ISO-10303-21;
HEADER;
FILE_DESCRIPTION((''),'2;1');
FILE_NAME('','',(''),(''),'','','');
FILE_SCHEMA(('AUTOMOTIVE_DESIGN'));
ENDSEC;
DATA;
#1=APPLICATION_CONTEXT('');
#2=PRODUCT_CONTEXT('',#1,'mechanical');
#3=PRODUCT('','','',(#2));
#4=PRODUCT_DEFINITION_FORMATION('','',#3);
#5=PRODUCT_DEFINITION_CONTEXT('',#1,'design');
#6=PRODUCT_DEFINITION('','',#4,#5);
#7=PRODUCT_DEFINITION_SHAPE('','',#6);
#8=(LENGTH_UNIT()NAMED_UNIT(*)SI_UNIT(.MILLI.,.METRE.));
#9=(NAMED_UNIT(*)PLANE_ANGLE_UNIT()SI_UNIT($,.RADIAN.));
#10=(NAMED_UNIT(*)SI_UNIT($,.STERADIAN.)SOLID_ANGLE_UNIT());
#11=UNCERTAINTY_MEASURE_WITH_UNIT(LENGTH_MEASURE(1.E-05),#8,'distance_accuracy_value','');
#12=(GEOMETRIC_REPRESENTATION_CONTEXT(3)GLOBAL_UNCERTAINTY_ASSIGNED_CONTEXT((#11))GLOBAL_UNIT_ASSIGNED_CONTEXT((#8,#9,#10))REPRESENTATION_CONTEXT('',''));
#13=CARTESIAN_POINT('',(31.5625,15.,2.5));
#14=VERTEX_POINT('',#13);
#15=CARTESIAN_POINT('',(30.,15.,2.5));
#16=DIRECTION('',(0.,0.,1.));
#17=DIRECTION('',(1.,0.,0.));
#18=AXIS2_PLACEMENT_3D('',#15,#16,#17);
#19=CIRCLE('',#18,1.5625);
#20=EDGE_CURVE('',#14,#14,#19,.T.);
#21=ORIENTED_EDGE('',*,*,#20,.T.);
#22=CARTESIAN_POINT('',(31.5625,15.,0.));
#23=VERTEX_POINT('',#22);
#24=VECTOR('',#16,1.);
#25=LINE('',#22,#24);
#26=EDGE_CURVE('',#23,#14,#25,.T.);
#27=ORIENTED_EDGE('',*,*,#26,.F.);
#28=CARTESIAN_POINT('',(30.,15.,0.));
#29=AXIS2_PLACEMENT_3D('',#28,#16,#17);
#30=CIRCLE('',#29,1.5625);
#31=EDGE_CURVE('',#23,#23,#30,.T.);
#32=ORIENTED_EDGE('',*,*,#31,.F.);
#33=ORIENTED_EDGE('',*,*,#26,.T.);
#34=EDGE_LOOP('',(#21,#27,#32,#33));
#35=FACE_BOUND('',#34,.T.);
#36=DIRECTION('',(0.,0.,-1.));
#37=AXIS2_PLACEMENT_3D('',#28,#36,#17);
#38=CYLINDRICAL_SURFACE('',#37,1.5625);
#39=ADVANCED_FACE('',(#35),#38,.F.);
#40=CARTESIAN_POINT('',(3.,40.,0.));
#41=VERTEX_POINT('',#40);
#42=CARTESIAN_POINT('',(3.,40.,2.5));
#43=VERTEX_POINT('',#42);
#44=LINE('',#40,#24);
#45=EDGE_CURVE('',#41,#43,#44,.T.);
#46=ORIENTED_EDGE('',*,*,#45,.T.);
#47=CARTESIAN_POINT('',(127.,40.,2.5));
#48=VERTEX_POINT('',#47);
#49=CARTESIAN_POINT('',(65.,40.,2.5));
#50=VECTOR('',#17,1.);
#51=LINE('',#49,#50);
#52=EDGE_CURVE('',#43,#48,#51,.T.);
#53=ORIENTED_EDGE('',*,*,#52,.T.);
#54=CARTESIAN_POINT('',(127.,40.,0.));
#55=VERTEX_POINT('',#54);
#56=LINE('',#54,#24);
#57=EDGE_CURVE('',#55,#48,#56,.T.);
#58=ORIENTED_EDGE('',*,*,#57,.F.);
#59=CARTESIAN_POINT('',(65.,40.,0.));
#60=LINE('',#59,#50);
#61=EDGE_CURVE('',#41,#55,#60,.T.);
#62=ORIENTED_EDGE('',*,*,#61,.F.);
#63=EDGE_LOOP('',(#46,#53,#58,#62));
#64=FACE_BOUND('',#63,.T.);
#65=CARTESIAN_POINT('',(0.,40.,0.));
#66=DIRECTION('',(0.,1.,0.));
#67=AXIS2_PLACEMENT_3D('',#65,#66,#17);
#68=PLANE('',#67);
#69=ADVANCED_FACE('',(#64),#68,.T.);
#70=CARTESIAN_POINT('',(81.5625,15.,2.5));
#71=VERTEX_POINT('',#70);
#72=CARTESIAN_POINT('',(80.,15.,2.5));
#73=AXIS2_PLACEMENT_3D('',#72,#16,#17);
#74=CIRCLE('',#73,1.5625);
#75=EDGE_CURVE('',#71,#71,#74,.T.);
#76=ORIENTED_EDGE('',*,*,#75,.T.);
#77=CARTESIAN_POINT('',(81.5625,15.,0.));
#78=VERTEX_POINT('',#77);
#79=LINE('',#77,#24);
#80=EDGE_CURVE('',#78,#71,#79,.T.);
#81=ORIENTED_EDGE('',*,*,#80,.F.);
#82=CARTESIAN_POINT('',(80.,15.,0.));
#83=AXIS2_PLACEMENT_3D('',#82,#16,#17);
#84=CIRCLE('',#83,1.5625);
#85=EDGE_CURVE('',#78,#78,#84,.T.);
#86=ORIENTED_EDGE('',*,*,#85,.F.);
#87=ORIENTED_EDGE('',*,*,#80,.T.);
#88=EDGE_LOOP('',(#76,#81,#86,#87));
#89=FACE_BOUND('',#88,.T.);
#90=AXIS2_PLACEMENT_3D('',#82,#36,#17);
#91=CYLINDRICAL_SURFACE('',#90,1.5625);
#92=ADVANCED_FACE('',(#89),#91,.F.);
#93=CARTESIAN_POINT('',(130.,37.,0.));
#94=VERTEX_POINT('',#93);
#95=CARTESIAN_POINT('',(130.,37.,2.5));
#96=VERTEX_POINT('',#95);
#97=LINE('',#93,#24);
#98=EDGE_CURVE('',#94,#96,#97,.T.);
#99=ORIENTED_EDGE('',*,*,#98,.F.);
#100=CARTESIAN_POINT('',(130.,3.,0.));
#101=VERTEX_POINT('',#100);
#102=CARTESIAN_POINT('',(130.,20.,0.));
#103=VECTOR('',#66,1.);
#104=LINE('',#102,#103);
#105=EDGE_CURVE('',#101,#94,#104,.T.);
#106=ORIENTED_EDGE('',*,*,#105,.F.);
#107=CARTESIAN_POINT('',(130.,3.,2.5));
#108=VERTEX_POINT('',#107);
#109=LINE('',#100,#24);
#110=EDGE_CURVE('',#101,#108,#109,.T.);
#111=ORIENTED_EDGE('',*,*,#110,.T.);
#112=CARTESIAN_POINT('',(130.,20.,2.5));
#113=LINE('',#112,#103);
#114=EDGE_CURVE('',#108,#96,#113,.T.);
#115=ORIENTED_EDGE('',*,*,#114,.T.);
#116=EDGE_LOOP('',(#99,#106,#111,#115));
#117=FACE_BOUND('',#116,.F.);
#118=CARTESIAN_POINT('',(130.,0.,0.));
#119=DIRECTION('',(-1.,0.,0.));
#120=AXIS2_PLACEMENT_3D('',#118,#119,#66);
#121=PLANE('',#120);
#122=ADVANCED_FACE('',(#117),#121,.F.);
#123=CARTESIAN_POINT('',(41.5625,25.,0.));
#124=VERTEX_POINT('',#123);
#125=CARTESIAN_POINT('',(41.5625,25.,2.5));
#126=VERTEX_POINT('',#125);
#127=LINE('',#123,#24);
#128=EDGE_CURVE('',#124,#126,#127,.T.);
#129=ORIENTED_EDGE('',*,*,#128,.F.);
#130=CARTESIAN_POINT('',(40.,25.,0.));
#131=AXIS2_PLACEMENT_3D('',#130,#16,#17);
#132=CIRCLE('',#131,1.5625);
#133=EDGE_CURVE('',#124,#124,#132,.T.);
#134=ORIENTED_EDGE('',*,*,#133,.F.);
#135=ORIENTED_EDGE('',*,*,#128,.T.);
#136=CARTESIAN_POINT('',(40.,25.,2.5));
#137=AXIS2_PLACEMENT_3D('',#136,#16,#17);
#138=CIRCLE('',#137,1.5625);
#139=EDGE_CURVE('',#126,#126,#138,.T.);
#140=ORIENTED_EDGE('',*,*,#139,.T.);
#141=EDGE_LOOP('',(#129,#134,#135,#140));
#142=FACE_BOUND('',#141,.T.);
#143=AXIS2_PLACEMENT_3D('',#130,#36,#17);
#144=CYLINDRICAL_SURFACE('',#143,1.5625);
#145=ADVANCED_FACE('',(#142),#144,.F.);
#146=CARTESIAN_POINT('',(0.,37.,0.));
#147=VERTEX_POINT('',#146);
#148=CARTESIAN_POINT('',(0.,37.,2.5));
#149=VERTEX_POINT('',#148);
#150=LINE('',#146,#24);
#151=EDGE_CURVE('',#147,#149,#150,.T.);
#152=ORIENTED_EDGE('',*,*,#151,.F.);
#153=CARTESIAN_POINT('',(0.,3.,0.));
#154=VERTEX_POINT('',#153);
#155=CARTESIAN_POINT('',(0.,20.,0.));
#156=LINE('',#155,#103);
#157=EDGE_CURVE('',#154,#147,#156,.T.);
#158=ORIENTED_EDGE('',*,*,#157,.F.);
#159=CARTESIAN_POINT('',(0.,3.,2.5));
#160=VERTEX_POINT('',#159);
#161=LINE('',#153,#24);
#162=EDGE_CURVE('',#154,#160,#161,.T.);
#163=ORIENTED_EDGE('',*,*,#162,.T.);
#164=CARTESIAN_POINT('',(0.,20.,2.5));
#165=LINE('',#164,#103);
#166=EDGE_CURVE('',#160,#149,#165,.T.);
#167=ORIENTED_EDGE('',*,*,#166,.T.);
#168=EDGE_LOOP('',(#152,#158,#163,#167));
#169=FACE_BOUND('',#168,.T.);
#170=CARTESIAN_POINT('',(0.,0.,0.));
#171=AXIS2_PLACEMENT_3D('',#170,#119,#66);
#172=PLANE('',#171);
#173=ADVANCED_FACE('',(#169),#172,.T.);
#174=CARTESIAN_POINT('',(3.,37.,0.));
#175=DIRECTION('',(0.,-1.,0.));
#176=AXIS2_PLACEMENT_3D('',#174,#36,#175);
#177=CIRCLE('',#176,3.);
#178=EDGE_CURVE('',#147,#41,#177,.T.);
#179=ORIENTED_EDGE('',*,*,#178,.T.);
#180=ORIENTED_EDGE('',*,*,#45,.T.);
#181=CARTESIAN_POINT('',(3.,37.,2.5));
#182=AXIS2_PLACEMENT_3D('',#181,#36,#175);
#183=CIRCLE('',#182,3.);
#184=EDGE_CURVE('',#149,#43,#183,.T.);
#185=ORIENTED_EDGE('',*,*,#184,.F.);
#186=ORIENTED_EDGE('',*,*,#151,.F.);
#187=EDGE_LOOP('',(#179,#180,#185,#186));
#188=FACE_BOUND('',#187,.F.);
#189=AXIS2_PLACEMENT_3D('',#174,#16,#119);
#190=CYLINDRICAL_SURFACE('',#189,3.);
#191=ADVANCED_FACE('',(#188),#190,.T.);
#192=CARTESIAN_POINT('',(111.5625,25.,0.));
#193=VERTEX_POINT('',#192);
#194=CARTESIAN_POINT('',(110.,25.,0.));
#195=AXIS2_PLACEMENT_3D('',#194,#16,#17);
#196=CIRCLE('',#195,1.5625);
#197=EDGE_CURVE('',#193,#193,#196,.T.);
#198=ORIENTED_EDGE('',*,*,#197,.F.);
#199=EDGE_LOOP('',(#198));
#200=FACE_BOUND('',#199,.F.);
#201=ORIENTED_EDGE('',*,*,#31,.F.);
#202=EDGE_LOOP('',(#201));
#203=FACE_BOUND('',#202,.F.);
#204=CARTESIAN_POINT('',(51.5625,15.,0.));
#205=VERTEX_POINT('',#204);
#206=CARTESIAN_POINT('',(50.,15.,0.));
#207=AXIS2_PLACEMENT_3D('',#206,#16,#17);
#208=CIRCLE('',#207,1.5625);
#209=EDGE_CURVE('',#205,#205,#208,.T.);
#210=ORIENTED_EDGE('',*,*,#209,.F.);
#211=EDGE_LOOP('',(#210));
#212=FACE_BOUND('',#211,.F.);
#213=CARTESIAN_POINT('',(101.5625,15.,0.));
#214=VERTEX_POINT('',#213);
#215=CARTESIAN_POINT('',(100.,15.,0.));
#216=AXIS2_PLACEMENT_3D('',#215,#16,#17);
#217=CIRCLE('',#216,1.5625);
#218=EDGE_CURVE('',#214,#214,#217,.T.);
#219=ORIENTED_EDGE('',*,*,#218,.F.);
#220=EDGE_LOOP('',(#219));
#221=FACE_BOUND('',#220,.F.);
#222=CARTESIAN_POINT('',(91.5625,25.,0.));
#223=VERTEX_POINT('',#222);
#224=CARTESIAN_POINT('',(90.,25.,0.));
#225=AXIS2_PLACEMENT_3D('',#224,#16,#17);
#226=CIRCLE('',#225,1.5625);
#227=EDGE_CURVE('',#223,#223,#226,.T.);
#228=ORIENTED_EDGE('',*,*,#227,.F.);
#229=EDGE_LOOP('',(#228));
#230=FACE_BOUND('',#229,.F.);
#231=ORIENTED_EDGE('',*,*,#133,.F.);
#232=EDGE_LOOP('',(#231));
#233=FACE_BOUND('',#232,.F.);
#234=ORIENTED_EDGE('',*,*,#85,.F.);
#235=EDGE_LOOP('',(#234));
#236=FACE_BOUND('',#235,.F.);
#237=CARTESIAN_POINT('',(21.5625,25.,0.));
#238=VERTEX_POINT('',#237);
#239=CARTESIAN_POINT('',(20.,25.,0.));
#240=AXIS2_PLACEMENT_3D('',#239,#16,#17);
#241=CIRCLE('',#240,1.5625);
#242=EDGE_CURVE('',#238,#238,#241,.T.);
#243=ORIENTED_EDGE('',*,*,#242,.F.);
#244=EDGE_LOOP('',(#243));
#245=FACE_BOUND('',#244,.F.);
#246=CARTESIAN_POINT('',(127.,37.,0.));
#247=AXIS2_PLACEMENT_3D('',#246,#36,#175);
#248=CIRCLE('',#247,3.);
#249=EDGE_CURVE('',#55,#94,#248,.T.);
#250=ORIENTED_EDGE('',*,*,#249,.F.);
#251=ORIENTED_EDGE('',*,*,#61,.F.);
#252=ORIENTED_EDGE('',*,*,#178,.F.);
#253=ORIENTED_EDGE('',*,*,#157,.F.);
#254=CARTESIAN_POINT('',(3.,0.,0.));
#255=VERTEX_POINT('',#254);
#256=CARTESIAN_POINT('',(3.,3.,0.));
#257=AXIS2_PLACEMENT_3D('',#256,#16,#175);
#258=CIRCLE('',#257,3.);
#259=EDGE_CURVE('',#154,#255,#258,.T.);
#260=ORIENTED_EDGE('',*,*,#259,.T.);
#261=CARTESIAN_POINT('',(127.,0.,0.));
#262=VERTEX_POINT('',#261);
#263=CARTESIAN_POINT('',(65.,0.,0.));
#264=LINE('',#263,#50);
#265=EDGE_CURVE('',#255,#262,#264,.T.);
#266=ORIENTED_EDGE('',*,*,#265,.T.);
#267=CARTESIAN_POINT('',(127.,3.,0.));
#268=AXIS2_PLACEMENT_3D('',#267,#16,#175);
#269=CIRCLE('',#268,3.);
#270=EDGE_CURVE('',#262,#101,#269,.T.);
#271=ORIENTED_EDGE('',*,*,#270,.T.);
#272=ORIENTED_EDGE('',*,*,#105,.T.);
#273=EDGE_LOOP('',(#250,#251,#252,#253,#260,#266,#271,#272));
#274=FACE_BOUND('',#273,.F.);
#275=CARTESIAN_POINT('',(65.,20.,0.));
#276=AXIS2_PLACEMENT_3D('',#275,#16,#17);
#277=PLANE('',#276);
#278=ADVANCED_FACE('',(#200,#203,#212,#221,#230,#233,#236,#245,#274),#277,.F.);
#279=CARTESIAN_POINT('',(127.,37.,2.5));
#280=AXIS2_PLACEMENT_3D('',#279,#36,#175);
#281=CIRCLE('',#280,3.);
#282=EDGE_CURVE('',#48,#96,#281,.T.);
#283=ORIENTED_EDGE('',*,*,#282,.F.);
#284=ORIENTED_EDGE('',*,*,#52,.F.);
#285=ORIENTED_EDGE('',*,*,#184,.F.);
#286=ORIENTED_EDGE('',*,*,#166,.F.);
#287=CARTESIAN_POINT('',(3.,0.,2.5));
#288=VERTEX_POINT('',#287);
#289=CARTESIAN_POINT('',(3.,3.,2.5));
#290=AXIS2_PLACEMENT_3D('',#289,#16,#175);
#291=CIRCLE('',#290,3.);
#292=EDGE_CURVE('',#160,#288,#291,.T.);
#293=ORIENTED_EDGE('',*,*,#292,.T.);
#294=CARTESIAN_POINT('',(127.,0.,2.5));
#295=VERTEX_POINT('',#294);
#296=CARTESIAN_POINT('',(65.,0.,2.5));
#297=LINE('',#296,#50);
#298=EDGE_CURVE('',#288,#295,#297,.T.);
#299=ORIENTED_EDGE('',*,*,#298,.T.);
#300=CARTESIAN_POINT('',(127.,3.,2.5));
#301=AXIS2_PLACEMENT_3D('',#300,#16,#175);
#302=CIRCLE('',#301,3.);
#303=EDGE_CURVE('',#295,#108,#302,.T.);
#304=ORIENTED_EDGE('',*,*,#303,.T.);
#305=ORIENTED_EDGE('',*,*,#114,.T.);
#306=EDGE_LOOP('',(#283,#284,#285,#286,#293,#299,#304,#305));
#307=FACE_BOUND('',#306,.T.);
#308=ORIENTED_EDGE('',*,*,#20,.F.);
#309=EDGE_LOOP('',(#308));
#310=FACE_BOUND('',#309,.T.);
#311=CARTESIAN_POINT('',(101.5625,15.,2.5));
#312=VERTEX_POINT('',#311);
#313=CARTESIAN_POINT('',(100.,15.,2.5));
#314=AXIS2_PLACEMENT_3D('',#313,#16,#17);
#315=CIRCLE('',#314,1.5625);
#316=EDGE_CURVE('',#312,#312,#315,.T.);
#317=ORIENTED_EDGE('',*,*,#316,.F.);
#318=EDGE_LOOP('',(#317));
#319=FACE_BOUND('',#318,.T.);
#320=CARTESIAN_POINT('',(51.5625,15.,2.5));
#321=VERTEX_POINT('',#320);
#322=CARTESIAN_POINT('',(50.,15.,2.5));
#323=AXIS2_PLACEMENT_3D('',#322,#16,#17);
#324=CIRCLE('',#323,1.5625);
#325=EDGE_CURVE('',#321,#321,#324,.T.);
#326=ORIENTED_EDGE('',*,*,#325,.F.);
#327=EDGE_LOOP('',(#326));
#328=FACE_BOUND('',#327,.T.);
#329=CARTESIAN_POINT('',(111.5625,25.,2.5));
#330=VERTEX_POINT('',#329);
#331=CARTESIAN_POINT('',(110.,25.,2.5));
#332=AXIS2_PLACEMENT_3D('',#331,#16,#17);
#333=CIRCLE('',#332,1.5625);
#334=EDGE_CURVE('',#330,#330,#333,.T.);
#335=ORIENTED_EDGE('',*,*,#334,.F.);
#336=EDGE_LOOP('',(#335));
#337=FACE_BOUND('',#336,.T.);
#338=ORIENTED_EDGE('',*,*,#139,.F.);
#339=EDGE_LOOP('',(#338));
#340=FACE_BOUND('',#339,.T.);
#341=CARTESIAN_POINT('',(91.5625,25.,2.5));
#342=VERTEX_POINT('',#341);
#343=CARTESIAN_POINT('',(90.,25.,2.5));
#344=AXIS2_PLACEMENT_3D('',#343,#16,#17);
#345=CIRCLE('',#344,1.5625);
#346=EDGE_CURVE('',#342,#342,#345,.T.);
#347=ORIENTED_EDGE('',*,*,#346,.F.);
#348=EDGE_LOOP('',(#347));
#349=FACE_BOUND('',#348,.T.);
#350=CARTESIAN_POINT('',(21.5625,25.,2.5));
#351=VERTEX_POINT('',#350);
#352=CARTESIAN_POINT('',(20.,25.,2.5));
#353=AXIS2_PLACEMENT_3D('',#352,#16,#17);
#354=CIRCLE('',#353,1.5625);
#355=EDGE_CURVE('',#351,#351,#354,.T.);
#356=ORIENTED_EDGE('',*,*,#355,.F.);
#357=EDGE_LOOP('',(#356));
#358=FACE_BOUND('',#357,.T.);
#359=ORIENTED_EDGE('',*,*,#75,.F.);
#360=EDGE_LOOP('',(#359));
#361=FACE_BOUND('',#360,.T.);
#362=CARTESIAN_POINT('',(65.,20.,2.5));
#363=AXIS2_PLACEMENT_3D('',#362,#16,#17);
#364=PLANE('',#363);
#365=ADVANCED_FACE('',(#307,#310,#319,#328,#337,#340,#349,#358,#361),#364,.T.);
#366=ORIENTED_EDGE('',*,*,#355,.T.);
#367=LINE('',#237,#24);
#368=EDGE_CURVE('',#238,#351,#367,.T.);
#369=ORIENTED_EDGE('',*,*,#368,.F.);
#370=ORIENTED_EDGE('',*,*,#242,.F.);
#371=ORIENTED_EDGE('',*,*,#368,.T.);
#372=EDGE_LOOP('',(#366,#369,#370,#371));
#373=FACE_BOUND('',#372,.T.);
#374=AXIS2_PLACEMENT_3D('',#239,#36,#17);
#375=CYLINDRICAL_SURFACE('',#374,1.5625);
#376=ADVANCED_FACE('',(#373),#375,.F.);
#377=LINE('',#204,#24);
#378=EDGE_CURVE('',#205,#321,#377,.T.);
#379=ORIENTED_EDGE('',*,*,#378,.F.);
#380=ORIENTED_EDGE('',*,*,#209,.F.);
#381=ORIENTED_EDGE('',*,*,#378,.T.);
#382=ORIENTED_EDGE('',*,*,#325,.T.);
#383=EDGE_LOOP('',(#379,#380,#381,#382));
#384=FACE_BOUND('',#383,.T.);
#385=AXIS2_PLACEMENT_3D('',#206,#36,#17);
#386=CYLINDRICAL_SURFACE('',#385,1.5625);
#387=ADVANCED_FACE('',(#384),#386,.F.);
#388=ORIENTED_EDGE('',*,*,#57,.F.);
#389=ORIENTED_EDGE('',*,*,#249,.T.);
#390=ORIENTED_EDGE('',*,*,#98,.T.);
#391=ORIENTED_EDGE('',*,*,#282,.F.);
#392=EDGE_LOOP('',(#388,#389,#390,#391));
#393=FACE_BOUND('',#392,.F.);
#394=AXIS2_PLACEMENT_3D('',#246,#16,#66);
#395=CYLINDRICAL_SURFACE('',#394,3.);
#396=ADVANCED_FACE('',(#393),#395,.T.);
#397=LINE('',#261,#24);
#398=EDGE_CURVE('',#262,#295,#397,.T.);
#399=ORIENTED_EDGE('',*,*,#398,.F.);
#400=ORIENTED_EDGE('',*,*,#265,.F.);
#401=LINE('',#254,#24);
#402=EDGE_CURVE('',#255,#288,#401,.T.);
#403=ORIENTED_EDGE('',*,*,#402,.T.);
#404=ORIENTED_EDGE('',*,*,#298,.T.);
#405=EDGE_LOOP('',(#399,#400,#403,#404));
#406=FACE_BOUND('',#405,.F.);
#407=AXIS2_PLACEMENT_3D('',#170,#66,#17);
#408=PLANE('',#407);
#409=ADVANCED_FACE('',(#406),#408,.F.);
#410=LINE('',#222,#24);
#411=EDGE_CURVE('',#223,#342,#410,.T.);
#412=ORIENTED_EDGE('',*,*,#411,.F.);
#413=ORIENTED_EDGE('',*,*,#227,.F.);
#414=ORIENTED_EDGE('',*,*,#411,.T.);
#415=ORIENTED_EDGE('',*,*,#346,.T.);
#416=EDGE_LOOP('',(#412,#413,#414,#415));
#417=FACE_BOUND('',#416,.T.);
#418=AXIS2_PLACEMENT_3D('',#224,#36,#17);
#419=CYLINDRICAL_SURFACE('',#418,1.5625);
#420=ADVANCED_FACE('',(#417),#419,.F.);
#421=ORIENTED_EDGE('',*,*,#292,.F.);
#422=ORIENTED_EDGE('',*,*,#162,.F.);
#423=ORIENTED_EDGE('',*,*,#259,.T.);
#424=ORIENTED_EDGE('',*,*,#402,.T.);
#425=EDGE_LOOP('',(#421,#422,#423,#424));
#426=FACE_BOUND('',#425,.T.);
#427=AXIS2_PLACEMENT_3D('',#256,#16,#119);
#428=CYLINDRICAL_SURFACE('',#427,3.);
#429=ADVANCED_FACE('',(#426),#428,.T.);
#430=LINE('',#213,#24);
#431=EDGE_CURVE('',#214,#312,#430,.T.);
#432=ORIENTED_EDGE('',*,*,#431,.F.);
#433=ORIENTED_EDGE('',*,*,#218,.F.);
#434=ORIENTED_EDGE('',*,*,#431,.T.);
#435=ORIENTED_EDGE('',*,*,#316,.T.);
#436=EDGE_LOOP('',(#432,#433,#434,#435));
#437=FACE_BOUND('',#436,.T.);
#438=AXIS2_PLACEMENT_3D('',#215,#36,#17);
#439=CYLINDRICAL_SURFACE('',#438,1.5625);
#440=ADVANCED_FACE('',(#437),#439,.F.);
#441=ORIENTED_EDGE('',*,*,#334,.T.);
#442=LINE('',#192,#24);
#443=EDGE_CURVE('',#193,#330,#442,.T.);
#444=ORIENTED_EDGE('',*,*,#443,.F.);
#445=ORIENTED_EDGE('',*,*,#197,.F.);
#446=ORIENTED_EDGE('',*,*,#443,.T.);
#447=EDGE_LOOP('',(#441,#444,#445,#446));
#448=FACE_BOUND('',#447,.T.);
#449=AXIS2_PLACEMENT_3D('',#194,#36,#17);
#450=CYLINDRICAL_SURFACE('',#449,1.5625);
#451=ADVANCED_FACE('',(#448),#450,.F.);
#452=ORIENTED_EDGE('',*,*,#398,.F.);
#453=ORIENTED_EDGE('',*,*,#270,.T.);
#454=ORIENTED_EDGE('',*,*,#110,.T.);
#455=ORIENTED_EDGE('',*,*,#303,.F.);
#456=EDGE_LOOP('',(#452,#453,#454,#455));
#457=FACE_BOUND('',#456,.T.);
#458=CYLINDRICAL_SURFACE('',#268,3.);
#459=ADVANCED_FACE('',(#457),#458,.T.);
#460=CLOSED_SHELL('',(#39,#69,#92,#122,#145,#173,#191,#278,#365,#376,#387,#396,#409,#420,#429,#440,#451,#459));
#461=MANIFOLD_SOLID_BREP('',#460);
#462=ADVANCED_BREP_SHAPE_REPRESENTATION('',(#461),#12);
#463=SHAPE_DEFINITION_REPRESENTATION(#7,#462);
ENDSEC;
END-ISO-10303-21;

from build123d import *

# Parameters (mm, degrees)
SKETCH_W  = 130
SKETCH_H  = 40
SKETCH_R  = 1.5625
PAD_DEPTH = 2.5
FILLET_R  = 3


with BuildPart() as part:
    # Sketch → Pad (new body)
    with BuildSketch(Plane.XY):
        with Locations((65, 20)):
            Rectangle(SKETCH_W, SKETCH_H)
        with Locations((20, 25)):
            Circle(SKETCH_R, mode=Mode.SUBTRACT)
        with Locations((40, 25)):
            Circle(SKETCH_R, mode=Mode.SUBTRACT)
        with Locations((30, 15)):
            Circle(SKETCH_R, mode=Mode.SUBTRACT)
        with Locations((50, 15)):
            Circle(SKETCH_R, mode=Mode.SUBTRACT)
        with Locations((110, 25)):
            Circle(SKETCH_R, mode=Mode.SUBTRACT)
        with Locations((90, 25)):
            Circle(SKETCH_R, mode=Mode.SUBTRACT)
        with Locations((100, 15)):
            Circle(SKETCH_R, mode=Mode.SUBTRACT)
        with Locations((80, 15)):
            Circle(SKETCH_R, mode=Mode.SUBTRACT)
    extrude(amount=PAD_DEPTH)

    # Fillet
    fillet_edges = [part.edges().sort_by_distance(p)[0] for p in [
        (0, 0, 1.25),
        (130, 0, 1.25),
        (130, 40, 1.25),
        (0, 40, 1.25),
    ]]
    fillet(fillet_edges, radius=FILLET_R)


solid = part.part
